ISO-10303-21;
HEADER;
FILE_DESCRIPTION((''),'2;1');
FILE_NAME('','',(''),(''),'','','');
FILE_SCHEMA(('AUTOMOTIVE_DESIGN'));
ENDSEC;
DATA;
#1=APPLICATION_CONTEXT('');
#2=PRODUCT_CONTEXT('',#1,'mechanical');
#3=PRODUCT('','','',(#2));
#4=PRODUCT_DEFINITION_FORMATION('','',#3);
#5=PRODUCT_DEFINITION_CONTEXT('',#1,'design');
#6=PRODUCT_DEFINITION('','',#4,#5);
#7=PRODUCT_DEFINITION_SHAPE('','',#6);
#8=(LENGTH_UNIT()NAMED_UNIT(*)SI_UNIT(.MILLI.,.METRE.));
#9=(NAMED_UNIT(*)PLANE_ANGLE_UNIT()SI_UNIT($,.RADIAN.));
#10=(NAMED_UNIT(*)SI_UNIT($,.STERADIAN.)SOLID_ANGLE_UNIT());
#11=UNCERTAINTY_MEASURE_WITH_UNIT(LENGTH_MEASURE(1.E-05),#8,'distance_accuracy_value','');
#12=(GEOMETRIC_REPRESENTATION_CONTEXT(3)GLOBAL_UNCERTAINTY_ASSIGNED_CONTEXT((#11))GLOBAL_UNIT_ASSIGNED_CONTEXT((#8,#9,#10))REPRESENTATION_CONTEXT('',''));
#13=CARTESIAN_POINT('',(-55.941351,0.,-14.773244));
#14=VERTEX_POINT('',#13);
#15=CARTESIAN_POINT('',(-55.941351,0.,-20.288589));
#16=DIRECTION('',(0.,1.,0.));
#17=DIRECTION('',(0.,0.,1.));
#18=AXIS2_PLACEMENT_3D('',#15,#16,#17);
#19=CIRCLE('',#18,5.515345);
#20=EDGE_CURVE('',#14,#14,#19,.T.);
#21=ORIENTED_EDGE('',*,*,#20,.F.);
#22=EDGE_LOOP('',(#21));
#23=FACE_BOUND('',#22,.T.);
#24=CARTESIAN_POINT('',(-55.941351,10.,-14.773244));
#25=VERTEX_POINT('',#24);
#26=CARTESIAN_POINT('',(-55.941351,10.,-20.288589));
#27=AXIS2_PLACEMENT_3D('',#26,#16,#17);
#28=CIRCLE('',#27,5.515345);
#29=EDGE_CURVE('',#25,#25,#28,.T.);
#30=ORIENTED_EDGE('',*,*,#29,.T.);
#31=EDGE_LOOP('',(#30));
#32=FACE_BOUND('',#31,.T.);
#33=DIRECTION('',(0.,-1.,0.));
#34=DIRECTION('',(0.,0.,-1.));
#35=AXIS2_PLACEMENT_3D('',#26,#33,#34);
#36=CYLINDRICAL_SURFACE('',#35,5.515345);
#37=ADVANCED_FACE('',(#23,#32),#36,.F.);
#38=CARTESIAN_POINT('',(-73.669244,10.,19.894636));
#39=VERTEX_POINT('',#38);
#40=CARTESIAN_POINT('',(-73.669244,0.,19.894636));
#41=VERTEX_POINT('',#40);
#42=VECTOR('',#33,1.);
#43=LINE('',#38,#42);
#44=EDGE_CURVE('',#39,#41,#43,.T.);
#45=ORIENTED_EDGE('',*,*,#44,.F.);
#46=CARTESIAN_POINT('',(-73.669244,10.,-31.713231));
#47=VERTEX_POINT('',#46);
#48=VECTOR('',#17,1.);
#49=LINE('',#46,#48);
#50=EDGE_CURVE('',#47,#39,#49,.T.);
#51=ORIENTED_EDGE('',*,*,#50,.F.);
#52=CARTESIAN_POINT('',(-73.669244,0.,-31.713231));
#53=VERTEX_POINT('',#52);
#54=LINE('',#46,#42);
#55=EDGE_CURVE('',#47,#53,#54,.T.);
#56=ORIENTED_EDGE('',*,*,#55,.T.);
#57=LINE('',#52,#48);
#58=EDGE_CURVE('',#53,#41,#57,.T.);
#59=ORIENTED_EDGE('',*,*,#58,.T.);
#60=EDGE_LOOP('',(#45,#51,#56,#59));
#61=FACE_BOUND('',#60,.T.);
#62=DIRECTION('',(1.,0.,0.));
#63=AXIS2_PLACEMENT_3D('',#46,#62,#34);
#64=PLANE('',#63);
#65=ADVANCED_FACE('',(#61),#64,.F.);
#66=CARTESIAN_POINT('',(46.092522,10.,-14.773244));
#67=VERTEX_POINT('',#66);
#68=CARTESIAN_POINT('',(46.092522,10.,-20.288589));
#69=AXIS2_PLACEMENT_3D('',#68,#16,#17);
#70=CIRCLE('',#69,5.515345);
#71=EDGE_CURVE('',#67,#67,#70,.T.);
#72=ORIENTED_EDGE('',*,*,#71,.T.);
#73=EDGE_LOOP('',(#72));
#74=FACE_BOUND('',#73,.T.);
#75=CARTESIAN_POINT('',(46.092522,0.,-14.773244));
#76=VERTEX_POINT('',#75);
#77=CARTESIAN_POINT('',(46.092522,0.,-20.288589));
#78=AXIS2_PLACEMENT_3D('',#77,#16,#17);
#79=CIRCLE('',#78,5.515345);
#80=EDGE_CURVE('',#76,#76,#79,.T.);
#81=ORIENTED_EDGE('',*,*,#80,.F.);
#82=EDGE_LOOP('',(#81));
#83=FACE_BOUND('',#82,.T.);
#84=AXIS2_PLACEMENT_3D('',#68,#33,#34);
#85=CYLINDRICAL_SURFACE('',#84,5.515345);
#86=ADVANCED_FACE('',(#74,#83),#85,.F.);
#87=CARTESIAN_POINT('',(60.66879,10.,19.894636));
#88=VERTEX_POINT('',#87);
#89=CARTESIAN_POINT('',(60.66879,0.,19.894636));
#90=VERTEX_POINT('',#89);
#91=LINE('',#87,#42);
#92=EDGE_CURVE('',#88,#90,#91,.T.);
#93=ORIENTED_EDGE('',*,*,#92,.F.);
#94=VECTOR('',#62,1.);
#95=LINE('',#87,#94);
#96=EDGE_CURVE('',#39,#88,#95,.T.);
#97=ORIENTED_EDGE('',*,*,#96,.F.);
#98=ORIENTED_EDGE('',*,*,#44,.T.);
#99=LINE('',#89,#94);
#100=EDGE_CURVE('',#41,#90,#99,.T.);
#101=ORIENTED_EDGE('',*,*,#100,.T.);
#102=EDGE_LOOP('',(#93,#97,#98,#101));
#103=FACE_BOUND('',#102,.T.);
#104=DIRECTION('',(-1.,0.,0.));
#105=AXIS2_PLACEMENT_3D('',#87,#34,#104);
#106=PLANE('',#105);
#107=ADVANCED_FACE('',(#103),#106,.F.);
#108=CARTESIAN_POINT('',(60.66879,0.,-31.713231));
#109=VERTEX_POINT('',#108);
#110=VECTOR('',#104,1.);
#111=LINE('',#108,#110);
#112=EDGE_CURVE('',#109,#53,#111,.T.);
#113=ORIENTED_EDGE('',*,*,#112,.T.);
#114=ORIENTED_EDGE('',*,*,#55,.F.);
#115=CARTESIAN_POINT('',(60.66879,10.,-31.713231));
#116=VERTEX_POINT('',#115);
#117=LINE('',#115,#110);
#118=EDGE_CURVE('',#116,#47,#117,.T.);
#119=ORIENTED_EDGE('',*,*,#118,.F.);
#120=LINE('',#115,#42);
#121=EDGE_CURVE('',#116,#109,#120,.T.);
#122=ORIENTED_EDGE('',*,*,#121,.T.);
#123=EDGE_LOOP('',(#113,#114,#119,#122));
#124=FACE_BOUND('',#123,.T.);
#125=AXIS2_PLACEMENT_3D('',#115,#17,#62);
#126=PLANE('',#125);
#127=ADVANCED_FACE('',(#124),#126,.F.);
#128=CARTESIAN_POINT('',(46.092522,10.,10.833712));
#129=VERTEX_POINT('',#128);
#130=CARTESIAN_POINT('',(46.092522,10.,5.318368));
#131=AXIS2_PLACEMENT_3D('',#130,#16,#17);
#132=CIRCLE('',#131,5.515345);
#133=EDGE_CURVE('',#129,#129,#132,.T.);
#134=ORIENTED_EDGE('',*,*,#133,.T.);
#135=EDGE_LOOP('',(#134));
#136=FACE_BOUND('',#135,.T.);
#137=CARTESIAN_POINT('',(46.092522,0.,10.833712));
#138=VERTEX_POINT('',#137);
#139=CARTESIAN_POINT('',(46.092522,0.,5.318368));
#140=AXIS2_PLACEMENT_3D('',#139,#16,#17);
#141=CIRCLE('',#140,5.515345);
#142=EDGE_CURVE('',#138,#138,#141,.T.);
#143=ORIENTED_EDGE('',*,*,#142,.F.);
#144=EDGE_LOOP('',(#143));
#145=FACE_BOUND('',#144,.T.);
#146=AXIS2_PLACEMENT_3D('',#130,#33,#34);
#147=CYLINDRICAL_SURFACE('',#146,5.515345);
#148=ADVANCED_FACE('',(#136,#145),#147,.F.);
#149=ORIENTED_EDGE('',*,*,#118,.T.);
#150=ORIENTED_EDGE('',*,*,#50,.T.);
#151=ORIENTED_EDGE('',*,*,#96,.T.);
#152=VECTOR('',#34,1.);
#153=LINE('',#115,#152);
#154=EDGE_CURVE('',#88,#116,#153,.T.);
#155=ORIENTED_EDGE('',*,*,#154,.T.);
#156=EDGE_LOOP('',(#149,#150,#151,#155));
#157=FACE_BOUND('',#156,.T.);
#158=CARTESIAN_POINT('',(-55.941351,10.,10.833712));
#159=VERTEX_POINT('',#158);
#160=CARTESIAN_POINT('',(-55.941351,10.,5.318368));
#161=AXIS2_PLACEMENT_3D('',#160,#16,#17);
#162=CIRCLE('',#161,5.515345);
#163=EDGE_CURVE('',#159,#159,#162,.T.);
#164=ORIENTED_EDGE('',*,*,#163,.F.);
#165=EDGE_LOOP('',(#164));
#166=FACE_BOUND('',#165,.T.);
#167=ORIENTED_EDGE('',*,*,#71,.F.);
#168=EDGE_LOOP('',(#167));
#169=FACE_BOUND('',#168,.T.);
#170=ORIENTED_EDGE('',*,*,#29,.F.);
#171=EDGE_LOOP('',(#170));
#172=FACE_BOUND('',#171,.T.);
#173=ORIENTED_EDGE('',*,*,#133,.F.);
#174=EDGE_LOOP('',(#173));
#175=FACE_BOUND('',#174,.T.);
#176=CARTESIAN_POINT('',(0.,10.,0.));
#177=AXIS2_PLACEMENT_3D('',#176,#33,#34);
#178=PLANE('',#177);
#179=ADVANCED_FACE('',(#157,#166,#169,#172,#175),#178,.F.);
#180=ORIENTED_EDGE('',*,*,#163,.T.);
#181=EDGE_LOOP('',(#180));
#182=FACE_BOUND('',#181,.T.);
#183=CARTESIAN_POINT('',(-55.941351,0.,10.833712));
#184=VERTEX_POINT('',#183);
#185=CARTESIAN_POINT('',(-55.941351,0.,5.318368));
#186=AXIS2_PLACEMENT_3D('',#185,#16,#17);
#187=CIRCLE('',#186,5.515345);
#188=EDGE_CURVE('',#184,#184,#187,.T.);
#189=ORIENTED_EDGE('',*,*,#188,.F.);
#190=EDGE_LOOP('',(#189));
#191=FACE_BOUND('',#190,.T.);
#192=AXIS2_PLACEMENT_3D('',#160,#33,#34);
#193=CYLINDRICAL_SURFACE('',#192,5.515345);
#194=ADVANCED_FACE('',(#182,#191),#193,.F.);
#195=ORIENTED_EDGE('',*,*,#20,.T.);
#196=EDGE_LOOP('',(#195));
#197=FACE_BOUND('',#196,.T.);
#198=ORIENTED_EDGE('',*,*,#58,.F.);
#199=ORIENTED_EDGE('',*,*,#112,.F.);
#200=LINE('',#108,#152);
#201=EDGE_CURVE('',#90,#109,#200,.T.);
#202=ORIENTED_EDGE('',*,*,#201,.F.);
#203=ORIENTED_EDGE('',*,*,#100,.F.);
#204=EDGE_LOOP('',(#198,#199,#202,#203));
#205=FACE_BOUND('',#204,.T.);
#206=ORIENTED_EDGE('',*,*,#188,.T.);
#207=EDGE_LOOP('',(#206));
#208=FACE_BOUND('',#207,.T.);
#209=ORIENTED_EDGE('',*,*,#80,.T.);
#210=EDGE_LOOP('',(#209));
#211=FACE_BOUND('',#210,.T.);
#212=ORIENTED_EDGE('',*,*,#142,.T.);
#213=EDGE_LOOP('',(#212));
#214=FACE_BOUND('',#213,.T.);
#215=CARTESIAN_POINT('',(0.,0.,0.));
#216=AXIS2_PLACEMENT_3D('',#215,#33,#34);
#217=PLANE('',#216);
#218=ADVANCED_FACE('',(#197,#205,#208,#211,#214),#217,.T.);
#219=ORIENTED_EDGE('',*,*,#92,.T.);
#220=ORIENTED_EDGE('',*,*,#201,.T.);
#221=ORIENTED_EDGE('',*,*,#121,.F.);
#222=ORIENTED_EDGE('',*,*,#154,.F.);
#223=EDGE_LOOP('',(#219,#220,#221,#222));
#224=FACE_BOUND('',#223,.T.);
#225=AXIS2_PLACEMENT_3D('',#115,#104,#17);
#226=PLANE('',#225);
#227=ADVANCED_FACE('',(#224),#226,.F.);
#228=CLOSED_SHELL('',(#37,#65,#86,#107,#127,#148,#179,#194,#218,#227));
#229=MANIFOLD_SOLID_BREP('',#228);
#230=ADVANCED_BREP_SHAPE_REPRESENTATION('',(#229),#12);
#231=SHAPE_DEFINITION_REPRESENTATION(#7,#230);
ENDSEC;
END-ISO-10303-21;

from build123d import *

# Parameters (mm, degrees)
SKETCH2_W           = 134.338034086
SKETCH2_H           = 51.607866468
SKETCH2_R           = 5.515344508
BOSS_EXTRUDE1_DEPTH = 10


with BuildPart() as part:
    # Sketch2 → Boss-Extrude1 (new body)
    with BuildSketch(Plane(origin=(0, 0, 0), x_dir=(1, 0, 0), z_dir=(0, 1, 0))):
        with Locations((-6.500227456, 5.909297687)):
            Rectangle(SKETCH2_W, SKETCH2_H)
        with Locations((-55.941351438, 20.288588726)):
            Circle(SKETCH2_R, mode=Mode.SUBTRACT)
        with Locations((-55.941351438, -5.318367918)):
            Circle(SKETCH2_R, mode=Mode.SUBTRACT)
        with Locations((46.092521959, -5.318367918)):
            Circle(SKETCH2_R, mode=Mode.SUBTRACT)
        with Locations((46.092521959, 20.288588726)):
            Circle(SKETCH2_R, mode=Mode.SUBTRACT)
    extrude(amount=BOSS_EXTRUDE1_DEPTH)


solid = part.part
